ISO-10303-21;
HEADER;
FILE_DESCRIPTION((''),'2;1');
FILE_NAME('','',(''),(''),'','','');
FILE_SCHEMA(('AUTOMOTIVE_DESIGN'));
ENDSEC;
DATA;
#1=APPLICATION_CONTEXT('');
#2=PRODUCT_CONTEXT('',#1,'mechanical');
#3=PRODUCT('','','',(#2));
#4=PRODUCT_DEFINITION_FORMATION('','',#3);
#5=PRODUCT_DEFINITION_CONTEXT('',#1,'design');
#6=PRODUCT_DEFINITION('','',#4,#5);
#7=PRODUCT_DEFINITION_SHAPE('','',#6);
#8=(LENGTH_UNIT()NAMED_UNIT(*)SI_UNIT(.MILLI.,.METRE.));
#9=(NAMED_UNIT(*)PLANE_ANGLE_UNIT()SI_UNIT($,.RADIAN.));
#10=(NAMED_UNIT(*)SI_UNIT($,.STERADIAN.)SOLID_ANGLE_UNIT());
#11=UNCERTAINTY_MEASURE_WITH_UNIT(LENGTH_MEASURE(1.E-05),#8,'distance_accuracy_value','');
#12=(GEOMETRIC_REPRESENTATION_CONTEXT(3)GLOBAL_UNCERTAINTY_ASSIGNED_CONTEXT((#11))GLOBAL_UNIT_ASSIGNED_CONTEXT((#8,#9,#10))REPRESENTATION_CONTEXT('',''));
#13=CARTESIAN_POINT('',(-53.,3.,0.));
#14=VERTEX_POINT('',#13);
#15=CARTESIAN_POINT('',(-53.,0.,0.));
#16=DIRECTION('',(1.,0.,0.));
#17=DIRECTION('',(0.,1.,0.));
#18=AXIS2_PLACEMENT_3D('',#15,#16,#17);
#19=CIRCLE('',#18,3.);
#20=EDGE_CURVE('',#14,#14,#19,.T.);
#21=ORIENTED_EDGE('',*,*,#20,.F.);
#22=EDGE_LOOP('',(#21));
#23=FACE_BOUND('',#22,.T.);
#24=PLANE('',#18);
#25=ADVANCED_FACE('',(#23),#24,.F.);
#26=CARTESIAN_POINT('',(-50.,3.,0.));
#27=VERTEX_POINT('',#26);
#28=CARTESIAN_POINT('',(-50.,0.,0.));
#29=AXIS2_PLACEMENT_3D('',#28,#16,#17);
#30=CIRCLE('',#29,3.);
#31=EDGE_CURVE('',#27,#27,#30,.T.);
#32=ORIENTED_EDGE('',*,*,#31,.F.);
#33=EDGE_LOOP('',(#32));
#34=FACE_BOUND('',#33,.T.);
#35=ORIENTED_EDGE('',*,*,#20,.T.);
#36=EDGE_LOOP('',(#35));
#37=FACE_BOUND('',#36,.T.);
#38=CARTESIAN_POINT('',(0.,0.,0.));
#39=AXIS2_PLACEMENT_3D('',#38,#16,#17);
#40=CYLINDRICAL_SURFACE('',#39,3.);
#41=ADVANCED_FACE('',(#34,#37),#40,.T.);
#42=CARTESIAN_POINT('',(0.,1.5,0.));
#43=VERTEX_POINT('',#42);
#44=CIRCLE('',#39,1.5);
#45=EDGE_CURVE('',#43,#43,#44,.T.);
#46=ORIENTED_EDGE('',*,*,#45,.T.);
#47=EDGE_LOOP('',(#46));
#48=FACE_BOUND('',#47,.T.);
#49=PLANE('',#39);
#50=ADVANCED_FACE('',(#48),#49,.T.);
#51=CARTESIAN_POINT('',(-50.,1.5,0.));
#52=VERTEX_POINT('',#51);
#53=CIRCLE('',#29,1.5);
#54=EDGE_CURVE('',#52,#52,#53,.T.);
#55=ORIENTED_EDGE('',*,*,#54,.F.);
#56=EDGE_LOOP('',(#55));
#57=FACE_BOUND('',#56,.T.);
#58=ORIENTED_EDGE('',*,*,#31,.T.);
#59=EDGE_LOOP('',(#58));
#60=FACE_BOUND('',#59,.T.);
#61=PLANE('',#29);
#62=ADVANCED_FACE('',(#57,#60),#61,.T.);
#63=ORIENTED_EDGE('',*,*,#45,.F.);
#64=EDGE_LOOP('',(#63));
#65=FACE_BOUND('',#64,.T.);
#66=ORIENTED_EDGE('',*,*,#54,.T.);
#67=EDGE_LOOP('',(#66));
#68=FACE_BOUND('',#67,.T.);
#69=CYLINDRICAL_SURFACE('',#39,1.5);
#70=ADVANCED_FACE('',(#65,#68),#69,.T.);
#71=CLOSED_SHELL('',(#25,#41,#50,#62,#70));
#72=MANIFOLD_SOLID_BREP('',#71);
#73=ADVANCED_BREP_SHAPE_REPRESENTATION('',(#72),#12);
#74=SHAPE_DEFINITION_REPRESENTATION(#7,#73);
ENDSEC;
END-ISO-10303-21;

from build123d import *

# Parameters (mm, degrees)
SKETCH1_W = 50
SKETCH1_H = 1.5


with BuildPart() as part:
    # Sketch1 → Revolve1 (revolve)
    with BuildSketch(Plane.XY):
        Polygon((-53, 0), (-50, 0), (-50, 1.5), (-50, 3), (-53, 3), align=None)
        with Locations((-25, 0.75)):
            Rectangle(SKETCH1_W, SKETCH1_H)
    revolve(axis=Axis((0, 0, 0), (-1, 0, 0)))


solid = part.part
